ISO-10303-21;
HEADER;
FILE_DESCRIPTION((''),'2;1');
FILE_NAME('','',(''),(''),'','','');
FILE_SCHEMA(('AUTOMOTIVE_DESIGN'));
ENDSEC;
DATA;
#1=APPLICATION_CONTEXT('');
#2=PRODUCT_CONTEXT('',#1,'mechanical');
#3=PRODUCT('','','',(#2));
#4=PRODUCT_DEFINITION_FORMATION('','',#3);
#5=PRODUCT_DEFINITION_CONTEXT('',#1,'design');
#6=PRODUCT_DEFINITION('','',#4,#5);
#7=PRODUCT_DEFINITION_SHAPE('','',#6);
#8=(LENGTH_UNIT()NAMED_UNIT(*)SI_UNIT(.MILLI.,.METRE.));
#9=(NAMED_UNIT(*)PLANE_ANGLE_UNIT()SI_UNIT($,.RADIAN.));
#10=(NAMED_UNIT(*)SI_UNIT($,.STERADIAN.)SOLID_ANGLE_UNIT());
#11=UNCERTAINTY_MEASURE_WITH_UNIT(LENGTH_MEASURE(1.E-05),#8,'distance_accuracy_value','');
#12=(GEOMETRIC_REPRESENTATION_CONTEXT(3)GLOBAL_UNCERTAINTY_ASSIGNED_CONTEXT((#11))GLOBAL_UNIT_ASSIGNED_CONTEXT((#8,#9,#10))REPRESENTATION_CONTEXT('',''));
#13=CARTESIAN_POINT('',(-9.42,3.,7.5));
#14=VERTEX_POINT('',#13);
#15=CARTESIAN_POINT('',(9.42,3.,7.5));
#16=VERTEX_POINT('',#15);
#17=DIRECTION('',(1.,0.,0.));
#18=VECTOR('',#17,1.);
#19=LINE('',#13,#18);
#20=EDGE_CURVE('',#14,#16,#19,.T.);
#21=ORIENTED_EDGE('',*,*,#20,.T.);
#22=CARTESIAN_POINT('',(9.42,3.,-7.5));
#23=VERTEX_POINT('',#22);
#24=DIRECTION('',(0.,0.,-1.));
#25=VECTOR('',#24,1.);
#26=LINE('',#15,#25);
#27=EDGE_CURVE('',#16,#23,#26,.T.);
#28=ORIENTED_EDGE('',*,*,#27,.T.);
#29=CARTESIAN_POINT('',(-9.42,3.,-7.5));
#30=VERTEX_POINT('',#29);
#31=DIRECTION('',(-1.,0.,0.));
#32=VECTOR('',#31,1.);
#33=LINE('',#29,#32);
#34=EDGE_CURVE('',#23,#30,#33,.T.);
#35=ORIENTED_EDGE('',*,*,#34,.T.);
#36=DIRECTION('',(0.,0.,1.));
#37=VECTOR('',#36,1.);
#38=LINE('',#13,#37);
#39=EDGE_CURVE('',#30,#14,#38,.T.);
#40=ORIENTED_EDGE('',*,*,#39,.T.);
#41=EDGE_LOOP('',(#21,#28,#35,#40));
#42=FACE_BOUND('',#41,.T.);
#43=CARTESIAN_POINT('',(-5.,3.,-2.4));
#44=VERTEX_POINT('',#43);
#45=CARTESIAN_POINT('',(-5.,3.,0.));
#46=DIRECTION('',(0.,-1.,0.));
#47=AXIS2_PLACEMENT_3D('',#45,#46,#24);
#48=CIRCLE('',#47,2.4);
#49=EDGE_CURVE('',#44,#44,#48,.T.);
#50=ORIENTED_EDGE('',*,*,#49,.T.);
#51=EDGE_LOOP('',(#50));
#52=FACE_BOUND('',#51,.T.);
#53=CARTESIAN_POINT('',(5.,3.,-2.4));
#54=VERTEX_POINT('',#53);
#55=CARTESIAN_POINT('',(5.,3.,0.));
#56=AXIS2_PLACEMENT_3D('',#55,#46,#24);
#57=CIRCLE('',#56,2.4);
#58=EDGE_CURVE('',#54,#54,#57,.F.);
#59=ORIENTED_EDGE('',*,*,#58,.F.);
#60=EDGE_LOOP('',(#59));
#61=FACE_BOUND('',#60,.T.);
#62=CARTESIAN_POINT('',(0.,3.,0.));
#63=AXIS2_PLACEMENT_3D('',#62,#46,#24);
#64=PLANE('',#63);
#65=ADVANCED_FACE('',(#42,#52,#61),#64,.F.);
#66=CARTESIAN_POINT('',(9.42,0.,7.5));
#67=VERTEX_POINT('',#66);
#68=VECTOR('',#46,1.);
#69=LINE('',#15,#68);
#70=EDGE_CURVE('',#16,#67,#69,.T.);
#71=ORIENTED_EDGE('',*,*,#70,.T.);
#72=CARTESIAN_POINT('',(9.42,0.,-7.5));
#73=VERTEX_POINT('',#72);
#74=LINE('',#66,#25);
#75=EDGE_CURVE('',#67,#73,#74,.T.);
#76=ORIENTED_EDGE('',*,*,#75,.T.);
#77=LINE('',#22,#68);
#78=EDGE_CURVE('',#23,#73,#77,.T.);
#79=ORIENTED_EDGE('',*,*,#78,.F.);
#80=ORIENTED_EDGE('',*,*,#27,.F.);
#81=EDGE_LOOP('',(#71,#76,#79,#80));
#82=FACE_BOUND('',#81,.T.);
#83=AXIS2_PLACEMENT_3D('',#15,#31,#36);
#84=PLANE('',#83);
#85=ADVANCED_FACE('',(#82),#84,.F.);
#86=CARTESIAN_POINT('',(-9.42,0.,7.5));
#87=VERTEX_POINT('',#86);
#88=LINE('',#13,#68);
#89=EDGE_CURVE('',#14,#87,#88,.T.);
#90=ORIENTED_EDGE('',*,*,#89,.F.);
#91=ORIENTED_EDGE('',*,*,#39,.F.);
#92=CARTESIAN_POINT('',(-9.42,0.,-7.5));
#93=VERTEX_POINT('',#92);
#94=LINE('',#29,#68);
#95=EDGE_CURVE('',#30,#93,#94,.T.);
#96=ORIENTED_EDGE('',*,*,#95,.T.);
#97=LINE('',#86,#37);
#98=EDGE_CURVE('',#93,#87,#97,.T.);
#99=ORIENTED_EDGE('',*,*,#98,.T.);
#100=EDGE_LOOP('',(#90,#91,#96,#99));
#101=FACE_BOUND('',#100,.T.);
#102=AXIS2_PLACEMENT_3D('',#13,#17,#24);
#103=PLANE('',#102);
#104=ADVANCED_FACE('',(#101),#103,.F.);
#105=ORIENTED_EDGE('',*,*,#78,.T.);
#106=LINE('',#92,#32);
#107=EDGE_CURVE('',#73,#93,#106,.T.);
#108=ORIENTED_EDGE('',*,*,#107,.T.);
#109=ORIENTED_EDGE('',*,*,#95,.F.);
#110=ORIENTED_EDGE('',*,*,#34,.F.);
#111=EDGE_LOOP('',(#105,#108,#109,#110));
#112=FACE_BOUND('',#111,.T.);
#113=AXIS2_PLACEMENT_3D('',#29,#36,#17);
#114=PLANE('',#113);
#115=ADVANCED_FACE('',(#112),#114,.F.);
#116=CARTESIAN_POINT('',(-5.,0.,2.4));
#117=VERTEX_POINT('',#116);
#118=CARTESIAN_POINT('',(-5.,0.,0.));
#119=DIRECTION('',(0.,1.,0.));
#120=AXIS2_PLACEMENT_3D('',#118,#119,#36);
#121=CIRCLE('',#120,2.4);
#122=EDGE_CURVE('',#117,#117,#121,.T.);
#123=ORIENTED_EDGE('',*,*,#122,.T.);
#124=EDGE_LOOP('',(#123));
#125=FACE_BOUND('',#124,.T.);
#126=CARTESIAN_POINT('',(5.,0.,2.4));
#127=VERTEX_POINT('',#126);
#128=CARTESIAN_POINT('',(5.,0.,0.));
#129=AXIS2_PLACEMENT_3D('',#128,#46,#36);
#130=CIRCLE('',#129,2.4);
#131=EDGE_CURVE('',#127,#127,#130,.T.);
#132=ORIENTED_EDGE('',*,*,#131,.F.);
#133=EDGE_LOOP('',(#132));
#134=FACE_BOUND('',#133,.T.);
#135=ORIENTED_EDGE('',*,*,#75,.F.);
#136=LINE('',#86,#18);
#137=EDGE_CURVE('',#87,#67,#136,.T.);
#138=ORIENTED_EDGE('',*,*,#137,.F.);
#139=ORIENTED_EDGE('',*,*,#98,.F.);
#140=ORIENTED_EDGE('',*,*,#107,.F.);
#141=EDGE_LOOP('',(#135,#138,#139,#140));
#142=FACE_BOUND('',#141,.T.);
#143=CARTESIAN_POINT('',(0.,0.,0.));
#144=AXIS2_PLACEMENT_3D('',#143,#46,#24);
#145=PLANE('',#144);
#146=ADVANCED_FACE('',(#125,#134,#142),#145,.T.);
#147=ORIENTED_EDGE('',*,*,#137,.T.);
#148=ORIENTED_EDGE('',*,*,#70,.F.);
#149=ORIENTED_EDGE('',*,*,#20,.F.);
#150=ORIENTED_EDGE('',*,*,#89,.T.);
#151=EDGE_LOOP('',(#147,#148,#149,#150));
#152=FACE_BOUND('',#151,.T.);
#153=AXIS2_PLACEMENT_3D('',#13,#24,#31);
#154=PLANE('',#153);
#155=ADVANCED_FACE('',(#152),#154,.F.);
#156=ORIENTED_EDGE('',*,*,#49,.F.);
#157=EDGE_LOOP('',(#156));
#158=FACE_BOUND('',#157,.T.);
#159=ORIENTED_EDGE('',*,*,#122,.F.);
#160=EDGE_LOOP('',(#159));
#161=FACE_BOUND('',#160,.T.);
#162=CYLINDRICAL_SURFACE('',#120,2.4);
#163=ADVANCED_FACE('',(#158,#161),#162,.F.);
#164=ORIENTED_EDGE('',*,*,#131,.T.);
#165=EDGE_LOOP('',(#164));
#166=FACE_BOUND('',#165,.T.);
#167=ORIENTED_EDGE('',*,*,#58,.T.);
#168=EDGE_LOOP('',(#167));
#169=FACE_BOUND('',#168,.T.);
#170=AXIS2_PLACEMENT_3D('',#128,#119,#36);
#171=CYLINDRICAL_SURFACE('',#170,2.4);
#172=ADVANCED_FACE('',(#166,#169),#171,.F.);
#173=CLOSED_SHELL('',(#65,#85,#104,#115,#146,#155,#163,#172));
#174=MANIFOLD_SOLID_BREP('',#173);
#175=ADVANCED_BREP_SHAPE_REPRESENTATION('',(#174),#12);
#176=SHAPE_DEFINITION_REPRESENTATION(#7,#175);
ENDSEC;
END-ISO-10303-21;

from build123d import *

# Parameters (mm, degrees)
SKETCH1_W           = 18.84
SKETCH1_H           = 15
BOSS_EXTRUDE1_DEPTH = 3
CUT_EXTRUDE1_START  = -4
SKETCH2_R           = 2.4
CUT_EXTRUDE1_DEPTH  = 5


with BuildPart() as part:
    # Sketch1 → Boss-Extrude1 (new body)
    with BuildSketch(Plane(origin=(0, 0, 0), x_dir=(1, 0, 0), z_dir=(0, 1, 0))):
        Rectangle(SKETCH1_W, SKETCH1_H)
    extrude(amount=BOSS_EXTRUDE1_DEPTH)

    # Sketch2 → Cut-Extrude1 (cut)
    with BuildSketch(Plane(origin=(0, 3, 0), x_dir=(1, 0, 0), z_dir=(0, 1, 0)).offset(CUT_EXTRUDE1_START)):
        with Locations((-5, 0)):
            Circle(SKETCH2_R)
    cut_extrude1 = extrude(amount=CUT_EXTRUDE1_DEPTH, mode=Mode.SUBTRACT)

    # Mirror1: Cut-Extrude1 across plane
    add(cut_extrude1.mirror(Plane(origin=(0, 0, 0), x_dir=(0, 0, 1), z_dir=(1, 0, 0))), mode=Mode.SUBTRACT)


solid = part.part
